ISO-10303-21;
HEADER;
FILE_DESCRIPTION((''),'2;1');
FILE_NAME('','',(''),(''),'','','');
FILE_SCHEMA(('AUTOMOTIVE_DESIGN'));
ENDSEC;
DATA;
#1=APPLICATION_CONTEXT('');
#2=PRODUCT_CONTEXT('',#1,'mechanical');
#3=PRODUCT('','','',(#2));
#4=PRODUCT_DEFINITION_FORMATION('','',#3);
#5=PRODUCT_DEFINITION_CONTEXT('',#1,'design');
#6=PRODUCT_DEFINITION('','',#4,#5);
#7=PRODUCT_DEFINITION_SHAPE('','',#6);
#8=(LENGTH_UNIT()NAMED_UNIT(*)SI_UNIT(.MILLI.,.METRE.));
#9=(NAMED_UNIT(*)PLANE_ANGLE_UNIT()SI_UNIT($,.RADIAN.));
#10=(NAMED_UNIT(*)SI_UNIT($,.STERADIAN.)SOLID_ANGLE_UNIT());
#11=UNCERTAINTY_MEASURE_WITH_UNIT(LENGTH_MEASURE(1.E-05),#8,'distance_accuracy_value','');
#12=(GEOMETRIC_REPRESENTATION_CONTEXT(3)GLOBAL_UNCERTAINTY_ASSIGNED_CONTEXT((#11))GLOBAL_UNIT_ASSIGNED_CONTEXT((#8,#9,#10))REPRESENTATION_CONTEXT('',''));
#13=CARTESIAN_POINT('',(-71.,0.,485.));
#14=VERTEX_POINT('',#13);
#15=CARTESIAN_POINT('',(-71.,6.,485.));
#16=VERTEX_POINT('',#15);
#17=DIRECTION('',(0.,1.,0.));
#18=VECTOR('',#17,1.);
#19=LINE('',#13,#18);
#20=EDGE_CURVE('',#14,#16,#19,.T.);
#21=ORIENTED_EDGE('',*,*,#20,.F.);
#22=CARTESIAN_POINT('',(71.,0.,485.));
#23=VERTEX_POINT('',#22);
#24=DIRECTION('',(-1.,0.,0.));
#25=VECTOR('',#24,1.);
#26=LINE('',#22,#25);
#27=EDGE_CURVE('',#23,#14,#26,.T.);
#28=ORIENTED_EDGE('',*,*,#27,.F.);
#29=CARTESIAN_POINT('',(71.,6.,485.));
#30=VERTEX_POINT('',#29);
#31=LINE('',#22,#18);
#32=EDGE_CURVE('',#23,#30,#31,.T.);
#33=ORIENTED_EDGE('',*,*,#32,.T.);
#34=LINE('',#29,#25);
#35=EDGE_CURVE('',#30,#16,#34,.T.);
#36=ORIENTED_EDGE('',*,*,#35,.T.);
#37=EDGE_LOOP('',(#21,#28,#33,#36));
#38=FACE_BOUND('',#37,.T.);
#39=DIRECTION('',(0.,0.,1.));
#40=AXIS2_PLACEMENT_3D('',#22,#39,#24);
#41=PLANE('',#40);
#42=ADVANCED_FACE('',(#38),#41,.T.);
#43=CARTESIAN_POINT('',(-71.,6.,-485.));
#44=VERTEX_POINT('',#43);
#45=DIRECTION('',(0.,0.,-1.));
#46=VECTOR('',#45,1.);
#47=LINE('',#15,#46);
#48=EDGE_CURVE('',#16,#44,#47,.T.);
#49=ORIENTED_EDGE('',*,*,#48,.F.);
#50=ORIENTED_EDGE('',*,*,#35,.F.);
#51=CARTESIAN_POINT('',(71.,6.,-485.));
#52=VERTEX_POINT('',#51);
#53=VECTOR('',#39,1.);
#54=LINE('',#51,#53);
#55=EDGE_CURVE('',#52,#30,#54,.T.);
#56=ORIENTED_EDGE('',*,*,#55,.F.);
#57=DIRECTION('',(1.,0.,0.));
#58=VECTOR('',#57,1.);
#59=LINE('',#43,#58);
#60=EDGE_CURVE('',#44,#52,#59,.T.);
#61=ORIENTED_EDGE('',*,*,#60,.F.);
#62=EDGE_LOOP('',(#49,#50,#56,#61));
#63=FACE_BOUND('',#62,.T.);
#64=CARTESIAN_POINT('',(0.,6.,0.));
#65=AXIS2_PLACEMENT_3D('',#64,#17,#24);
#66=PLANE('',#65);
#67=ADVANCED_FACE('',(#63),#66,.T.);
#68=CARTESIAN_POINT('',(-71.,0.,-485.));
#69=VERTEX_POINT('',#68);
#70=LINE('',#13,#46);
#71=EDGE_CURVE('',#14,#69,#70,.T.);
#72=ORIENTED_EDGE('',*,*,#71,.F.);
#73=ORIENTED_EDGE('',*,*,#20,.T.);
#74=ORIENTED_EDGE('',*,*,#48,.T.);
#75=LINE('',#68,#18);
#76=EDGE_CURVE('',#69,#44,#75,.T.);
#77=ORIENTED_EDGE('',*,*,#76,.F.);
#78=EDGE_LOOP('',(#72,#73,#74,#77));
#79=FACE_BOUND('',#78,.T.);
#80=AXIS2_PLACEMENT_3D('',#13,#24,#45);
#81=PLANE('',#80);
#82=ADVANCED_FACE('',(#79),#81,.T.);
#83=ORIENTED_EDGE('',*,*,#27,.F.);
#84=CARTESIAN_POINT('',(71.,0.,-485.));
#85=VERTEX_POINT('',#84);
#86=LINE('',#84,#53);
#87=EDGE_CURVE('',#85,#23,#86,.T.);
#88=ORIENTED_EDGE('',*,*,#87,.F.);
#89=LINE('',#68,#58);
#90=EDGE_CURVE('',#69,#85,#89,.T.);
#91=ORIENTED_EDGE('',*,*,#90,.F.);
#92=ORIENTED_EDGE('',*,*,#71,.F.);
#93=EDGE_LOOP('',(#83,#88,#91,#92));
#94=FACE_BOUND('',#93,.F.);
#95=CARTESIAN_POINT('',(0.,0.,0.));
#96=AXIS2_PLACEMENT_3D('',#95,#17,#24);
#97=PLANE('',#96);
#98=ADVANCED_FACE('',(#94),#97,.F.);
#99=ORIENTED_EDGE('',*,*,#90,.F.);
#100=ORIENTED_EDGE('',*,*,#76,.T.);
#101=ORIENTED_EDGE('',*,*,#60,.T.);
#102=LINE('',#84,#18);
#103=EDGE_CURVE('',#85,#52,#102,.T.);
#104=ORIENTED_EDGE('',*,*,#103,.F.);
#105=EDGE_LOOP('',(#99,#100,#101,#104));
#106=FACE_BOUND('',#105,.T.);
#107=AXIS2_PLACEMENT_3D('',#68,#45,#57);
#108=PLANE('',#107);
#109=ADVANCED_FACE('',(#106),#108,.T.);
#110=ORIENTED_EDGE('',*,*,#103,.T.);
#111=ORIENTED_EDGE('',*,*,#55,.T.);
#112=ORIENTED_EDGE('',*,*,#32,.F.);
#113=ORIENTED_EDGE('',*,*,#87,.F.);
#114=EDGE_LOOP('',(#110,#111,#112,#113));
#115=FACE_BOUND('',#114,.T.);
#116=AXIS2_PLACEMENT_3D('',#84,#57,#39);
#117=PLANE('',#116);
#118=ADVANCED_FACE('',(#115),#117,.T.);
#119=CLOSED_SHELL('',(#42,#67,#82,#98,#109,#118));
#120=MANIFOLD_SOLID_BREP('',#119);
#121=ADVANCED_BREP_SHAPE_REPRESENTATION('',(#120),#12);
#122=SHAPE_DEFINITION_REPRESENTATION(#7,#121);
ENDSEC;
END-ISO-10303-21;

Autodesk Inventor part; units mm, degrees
ref_plane "YZ Plane" through (0, 0, 0) normal (1, 0, 0) x (0, 1, 0)
ref_plane "XZ Plane" through (0, 0, 0) normal (0, 1, 0) x (-1, 0, 0)
ref_plane "XY Plane" through (0, 0, 0) normal (0, 0, 1) x (1, 0, 0)
sketch "Sketch1" plane through (0, 0, 0) normal (0, 1, 0) x (-1, 0, 0)
  line L0 (-71, 485) -> (71, 485)
  line L1 (71, 485) -> (71, -485)
  line L2 (71, -485) -> (-71, -485)
  line L3 (-71, -485) -> (-71, 485)
  line L4 (-71, 485) -> (71, -485) construction
  line L5 (71, 485) -> (-71, -485) construction
  point P0 (0, 0)
  dimension "d0" = 142
  dimension "d1" = 970
extrude "Extrusion1" add sketch "Sketch1" along normal blind 6
properties part number "Bovenkant" material "Wood (Cherry)"
